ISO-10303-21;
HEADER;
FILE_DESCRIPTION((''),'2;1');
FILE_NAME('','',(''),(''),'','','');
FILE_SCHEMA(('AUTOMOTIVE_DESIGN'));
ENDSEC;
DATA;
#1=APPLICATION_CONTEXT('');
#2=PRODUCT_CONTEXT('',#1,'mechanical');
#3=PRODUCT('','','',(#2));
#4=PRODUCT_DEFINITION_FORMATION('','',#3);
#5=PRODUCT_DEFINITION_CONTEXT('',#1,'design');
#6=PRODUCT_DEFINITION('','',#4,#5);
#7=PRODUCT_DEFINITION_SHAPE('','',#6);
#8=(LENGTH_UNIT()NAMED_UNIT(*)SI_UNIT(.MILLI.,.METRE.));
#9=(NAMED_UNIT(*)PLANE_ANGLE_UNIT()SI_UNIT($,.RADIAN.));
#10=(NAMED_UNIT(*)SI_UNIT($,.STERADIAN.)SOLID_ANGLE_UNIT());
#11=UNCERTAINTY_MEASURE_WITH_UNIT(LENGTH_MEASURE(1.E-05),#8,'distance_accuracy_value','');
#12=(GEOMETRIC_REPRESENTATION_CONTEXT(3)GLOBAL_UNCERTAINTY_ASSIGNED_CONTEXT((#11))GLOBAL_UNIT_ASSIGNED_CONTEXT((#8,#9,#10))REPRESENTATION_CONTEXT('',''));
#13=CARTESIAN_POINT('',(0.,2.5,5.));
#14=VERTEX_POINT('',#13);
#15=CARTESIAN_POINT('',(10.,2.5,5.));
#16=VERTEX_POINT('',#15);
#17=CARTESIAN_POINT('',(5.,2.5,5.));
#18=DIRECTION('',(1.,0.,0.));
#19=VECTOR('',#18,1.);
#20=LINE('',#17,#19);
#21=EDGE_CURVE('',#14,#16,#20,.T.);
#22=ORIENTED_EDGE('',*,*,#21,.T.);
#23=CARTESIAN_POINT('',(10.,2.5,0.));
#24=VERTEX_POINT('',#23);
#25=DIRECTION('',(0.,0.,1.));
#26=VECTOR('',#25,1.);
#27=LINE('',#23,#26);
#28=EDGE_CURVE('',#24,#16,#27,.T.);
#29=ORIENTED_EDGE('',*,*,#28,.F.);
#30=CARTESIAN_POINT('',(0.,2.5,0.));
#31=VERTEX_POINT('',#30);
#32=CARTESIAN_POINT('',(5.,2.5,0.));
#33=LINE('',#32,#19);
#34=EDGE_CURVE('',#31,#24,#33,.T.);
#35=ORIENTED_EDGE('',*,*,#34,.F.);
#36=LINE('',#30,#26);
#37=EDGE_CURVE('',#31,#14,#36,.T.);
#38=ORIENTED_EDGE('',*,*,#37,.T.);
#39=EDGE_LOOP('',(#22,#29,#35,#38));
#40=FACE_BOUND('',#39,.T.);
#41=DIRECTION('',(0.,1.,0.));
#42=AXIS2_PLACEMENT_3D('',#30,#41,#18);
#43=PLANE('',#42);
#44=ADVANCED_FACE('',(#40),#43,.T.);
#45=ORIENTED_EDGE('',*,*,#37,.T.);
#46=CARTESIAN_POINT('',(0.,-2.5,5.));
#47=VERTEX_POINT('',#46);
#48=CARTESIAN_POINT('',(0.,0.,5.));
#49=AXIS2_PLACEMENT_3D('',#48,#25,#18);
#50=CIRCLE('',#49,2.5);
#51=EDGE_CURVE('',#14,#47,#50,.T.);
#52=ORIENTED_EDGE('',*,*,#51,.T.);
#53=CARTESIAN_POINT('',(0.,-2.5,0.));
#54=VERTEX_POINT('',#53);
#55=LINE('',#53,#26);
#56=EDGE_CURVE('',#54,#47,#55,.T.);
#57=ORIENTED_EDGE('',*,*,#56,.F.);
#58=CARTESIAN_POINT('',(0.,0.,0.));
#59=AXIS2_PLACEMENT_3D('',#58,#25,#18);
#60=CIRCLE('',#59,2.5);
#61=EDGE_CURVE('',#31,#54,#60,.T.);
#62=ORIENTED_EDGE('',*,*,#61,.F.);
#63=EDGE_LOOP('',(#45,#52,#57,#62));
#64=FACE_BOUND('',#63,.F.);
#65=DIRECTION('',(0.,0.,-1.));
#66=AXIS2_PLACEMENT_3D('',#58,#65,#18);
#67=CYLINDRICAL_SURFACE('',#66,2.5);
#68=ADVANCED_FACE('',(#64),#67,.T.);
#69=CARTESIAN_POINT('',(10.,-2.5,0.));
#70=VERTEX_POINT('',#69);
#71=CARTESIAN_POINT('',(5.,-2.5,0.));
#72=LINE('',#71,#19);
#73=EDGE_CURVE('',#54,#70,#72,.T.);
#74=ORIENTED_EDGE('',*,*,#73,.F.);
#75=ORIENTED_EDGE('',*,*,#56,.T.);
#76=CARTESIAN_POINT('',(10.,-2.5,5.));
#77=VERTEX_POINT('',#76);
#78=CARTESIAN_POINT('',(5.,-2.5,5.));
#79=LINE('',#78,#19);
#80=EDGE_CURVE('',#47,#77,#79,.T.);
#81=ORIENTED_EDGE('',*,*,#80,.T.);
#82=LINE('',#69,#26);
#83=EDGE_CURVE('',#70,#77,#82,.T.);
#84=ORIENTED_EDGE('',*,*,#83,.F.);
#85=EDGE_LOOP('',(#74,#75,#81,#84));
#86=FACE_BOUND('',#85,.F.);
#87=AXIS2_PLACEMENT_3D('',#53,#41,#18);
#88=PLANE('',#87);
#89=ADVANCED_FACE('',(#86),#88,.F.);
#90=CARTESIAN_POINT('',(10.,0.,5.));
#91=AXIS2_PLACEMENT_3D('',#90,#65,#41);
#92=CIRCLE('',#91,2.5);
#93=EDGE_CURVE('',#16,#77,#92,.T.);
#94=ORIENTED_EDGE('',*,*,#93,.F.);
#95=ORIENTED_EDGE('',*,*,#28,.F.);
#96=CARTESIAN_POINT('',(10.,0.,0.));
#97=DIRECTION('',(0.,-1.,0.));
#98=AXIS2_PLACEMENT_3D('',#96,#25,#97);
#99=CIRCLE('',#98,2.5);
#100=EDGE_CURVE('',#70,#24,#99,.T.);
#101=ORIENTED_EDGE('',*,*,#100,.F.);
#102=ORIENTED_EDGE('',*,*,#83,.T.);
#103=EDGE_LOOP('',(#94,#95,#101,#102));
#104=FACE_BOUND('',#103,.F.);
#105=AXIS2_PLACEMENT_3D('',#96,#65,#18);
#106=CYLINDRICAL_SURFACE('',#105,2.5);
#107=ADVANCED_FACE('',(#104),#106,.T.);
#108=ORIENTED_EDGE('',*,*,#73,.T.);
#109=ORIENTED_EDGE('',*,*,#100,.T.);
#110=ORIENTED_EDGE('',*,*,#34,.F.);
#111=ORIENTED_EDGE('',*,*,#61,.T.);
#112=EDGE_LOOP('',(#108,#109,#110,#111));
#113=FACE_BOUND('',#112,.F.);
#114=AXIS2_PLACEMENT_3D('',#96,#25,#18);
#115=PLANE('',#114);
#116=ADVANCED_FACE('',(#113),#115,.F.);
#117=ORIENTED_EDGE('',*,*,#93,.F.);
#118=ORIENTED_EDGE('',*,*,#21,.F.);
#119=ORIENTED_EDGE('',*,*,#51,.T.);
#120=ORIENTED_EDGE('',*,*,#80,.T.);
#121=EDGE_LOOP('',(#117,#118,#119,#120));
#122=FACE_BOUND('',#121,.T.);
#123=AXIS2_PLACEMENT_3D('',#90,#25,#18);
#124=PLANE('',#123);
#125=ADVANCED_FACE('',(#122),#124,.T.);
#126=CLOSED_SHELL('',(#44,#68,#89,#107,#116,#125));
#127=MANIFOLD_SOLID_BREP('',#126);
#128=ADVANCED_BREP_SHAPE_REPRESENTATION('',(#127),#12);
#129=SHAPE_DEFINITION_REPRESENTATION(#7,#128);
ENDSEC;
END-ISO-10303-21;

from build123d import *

# Parameters (mm, degrees)
CYLINDER_R        = 2.5
CYLINDER_DEPTH    = 5
CYLINDER001_R     = 2.5
CYLINDER001_DEPTH = 5
BOX_W             = 10
BOX_H             = 5
BOX_DEPTH         = 5


with BuildPart() as cylinder:
    # Cylinder → Cylinder (new body)
    with BuildSketch(Plane.XY):
        Circle(CYLINDER_R)
    extrude(amount=CYLINDER_DEPTH)


with BuildPart() as cylinder001:
    # Cylinder001 → Cylinder001 (new body)
    with BuildSketch(Plane(origin=(10, 0, 0), x_dir=(1, 0, 0), z_dir=(0, 0, 1))):
        Circle(CYLINDER001_R)
    extrude(amount=CYLINDER001_DEPTH)


with BuildPart() as hole_template_d5:
    # Box → Box (new body)
    with BuildSketch(Plane(origin=(0, -2.5, 0), x_dir=(1, 0, 0), z_dir=(0, 0, 1))):
        with Locations((5, 2.5)):
            Rectangle(BOX_W, BOX_H)
    extrude(amount=BOX_DEPTH)

    # Fusion003: union Cylinder, Cylinder001
    add(cylinder.part)
    add(cylinder001.part)


solid = hole_template_d5.part
